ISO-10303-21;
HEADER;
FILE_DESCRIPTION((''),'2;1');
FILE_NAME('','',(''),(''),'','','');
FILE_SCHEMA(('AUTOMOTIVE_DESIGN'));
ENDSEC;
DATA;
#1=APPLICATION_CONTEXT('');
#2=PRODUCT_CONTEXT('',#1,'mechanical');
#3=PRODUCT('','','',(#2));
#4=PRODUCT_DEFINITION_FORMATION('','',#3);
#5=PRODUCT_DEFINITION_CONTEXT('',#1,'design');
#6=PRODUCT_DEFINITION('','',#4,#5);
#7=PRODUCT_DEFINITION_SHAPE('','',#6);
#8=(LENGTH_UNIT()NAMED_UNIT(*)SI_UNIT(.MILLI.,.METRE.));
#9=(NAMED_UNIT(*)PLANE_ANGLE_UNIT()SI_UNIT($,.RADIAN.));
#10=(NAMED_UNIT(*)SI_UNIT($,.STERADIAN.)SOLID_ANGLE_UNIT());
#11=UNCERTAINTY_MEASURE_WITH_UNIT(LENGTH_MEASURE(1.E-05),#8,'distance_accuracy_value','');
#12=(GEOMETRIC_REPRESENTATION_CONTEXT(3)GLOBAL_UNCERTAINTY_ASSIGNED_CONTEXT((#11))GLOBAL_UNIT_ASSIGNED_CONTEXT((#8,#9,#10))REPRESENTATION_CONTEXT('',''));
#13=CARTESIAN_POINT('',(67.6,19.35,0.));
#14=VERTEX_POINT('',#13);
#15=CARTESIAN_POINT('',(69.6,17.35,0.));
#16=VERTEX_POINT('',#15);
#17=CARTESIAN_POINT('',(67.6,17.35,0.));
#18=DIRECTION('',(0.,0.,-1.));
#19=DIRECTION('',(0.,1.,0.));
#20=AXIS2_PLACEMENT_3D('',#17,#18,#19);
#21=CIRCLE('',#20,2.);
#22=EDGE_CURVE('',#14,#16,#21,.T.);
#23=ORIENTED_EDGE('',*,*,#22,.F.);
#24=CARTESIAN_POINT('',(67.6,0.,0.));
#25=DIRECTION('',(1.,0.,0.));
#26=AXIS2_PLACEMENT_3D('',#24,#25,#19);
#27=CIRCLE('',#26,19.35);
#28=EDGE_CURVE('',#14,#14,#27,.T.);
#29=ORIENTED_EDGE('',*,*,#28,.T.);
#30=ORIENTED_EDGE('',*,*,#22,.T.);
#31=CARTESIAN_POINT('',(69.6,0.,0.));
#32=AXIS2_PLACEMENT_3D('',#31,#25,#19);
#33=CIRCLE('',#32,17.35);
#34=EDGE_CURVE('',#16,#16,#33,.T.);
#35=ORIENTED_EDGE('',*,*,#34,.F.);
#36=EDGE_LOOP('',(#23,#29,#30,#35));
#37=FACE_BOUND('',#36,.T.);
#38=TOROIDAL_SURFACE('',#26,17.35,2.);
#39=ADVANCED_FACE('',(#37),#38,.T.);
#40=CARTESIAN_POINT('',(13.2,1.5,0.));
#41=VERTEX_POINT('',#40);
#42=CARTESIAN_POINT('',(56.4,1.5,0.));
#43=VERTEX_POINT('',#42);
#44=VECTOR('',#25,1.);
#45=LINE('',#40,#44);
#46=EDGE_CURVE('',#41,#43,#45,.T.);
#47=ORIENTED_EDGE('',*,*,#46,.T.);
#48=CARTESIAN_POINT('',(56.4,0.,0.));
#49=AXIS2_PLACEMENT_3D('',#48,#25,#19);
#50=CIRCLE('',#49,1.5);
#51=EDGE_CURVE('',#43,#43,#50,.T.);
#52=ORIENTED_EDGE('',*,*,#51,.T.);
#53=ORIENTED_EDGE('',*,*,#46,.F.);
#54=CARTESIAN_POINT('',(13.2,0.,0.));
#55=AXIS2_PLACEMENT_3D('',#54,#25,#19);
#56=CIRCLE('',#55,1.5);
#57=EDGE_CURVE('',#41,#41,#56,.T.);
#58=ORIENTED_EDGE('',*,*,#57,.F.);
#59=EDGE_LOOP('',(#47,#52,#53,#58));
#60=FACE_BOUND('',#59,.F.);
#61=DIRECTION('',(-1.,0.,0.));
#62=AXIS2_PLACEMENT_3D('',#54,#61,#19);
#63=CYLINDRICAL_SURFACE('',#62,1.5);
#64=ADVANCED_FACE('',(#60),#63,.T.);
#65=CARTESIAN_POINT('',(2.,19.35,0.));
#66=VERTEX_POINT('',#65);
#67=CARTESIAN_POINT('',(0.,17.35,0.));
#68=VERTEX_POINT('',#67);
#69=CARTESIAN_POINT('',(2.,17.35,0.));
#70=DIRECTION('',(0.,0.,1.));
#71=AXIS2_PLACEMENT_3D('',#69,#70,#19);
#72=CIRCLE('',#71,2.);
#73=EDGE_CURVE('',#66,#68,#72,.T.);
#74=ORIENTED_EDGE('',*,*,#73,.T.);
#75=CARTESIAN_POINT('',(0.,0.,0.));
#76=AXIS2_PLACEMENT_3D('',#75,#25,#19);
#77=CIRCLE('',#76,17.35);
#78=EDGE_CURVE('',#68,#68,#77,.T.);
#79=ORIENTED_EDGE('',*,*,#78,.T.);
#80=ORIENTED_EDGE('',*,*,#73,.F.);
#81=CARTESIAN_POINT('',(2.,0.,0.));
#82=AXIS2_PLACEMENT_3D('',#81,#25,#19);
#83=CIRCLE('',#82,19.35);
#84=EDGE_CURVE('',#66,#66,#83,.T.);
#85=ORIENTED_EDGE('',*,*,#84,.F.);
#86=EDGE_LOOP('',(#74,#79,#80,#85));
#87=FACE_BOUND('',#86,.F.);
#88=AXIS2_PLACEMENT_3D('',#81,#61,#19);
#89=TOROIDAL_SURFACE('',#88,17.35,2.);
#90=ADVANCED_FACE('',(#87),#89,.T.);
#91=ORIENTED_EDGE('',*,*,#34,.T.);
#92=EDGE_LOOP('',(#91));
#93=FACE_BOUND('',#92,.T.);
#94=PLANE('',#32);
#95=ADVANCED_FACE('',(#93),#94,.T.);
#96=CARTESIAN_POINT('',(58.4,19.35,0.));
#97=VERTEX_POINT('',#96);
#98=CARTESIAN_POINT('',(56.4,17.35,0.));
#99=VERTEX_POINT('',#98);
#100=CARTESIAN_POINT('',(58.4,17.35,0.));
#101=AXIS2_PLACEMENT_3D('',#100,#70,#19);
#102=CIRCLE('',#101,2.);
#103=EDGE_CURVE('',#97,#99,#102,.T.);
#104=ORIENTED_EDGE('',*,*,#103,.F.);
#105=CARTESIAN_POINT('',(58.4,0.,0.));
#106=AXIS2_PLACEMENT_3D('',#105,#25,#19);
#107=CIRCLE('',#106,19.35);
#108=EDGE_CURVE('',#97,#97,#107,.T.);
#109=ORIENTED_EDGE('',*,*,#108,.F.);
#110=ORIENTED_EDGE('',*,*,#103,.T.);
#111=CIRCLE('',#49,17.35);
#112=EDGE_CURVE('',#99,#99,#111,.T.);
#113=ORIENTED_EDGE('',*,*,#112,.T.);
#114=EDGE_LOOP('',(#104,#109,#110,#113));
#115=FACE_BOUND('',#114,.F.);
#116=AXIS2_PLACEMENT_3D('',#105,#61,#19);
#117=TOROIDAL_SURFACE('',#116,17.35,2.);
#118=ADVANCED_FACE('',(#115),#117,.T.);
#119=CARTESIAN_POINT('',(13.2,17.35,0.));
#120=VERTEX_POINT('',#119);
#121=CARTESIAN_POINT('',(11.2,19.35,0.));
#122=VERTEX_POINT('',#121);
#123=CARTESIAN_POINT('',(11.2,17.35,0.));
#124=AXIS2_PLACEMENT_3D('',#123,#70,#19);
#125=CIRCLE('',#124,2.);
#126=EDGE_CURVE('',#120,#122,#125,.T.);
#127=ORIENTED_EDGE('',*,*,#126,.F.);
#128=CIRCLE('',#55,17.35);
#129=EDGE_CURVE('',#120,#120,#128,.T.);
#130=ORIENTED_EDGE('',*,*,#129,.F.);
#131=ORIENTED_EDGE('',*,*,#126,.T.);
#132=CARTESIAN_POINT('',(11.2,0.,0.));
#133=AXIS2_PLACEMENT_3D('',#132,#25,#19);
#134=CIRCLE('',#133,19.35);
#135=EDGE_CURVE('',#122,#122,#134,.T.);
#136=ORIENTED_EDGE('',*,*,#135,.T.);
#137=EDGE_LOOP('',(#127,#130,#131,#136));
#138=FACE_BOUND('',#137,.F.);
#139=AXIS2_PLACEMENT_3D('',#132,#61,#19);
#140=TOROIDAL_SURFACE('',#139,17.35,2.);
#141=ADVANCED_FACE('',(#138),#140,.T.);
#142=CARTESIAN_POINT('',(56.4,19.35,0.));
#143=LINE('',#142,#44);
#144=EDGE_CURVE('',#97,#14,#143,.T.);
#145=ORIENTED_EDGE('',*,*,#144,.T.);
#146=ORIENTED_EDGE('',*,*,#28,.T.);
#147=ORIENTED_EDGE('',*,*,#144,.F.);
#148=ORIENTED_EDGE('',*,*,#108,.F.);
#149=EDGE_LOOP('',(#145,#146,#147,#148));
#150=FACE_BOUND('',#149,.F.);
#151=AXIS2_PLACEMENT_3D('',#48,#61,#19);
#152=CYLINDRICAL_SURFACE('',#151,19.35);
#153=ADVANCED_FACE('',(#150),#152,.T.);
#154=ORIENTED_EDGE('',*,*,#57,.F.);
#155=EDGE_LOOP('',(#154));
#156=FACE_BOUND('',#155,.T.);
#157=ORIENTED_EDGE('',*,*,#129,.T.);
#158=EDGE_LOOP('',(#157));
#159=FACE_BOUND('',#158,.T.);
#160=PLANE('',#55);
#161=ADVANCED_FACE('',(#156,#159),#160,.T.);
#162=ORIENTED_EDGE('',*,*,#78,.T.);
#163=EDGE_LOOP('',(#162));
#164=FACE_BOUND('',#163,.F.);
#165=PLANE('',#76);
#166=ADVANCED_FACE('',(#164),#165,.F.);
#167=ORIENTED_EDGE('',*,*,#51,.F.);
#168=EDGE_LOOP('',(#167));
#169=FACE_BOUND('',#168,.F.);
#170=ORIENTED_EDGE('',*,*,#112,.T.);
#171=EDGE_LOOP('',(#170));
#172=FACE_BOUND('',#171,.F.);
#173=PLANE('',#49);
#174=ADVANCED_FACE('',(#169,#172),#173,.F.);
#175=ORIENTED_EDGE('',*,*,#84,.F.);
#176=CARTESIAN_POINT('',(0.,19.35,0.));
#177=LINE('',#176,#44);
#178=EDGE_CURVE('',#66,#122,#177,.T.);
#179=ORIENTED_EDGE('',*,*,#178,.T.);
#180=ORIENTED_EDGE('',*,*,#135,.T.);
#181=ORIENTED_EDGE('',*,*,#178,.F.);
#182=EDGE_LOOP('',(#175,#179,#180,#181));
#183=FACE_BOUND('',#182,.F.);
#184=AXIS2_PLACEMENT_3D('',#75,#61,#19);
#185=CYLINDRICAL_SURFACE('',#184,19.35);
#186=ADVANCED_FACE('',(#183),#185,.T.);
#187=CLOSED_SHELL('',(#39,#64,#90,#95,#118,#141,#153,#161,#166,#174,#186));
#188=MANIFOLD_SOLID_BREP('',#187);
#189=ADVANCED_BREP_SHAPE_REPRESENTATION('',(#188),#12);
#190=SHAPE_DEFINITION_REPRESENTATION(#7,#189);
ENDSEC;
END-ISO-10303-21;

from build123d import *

# Parameters (mm, degrees)
F0_R     = 19.35
F1_DEPTH = 13.2
F2_R     = 1.5
F3_DEPTH = 43.2
F4_R     = 19.35
F5_DEPTH = 13.2
F6_R     = 2


with BuildPart() as f1:
    # F0 (on Right) → F1 (new body)
    with BuildSketch(Plane.YZ):
        Circle(F0_R)
    extrude(amount=F1_DEPTH)

    # F2 (on face) → F3 (join)
    with BuildSketch(Plane.YZ.offset(13.2)):
        Circle(F2_R)
    extrude(amount=F3_DEPTH)

    # F4 (on face) → F5 (join)
    with BuildSketch(Plane.YZ.offset(56.4)):
        Circle(F4_R)
    extrude(amount=F5_DEPTH)

    # F6
    f6_edges = [f1.edges().sort_by_distance(p)[0] for p in [
        (0, -19.35, 0),
        (13.2, -19.35, 0),
        (56.4, -19.35, 0),
        (69.6, -19.35, 0),
    ]]
    fillet(f6_edges, radius=F6_R)


solid = f1.part
